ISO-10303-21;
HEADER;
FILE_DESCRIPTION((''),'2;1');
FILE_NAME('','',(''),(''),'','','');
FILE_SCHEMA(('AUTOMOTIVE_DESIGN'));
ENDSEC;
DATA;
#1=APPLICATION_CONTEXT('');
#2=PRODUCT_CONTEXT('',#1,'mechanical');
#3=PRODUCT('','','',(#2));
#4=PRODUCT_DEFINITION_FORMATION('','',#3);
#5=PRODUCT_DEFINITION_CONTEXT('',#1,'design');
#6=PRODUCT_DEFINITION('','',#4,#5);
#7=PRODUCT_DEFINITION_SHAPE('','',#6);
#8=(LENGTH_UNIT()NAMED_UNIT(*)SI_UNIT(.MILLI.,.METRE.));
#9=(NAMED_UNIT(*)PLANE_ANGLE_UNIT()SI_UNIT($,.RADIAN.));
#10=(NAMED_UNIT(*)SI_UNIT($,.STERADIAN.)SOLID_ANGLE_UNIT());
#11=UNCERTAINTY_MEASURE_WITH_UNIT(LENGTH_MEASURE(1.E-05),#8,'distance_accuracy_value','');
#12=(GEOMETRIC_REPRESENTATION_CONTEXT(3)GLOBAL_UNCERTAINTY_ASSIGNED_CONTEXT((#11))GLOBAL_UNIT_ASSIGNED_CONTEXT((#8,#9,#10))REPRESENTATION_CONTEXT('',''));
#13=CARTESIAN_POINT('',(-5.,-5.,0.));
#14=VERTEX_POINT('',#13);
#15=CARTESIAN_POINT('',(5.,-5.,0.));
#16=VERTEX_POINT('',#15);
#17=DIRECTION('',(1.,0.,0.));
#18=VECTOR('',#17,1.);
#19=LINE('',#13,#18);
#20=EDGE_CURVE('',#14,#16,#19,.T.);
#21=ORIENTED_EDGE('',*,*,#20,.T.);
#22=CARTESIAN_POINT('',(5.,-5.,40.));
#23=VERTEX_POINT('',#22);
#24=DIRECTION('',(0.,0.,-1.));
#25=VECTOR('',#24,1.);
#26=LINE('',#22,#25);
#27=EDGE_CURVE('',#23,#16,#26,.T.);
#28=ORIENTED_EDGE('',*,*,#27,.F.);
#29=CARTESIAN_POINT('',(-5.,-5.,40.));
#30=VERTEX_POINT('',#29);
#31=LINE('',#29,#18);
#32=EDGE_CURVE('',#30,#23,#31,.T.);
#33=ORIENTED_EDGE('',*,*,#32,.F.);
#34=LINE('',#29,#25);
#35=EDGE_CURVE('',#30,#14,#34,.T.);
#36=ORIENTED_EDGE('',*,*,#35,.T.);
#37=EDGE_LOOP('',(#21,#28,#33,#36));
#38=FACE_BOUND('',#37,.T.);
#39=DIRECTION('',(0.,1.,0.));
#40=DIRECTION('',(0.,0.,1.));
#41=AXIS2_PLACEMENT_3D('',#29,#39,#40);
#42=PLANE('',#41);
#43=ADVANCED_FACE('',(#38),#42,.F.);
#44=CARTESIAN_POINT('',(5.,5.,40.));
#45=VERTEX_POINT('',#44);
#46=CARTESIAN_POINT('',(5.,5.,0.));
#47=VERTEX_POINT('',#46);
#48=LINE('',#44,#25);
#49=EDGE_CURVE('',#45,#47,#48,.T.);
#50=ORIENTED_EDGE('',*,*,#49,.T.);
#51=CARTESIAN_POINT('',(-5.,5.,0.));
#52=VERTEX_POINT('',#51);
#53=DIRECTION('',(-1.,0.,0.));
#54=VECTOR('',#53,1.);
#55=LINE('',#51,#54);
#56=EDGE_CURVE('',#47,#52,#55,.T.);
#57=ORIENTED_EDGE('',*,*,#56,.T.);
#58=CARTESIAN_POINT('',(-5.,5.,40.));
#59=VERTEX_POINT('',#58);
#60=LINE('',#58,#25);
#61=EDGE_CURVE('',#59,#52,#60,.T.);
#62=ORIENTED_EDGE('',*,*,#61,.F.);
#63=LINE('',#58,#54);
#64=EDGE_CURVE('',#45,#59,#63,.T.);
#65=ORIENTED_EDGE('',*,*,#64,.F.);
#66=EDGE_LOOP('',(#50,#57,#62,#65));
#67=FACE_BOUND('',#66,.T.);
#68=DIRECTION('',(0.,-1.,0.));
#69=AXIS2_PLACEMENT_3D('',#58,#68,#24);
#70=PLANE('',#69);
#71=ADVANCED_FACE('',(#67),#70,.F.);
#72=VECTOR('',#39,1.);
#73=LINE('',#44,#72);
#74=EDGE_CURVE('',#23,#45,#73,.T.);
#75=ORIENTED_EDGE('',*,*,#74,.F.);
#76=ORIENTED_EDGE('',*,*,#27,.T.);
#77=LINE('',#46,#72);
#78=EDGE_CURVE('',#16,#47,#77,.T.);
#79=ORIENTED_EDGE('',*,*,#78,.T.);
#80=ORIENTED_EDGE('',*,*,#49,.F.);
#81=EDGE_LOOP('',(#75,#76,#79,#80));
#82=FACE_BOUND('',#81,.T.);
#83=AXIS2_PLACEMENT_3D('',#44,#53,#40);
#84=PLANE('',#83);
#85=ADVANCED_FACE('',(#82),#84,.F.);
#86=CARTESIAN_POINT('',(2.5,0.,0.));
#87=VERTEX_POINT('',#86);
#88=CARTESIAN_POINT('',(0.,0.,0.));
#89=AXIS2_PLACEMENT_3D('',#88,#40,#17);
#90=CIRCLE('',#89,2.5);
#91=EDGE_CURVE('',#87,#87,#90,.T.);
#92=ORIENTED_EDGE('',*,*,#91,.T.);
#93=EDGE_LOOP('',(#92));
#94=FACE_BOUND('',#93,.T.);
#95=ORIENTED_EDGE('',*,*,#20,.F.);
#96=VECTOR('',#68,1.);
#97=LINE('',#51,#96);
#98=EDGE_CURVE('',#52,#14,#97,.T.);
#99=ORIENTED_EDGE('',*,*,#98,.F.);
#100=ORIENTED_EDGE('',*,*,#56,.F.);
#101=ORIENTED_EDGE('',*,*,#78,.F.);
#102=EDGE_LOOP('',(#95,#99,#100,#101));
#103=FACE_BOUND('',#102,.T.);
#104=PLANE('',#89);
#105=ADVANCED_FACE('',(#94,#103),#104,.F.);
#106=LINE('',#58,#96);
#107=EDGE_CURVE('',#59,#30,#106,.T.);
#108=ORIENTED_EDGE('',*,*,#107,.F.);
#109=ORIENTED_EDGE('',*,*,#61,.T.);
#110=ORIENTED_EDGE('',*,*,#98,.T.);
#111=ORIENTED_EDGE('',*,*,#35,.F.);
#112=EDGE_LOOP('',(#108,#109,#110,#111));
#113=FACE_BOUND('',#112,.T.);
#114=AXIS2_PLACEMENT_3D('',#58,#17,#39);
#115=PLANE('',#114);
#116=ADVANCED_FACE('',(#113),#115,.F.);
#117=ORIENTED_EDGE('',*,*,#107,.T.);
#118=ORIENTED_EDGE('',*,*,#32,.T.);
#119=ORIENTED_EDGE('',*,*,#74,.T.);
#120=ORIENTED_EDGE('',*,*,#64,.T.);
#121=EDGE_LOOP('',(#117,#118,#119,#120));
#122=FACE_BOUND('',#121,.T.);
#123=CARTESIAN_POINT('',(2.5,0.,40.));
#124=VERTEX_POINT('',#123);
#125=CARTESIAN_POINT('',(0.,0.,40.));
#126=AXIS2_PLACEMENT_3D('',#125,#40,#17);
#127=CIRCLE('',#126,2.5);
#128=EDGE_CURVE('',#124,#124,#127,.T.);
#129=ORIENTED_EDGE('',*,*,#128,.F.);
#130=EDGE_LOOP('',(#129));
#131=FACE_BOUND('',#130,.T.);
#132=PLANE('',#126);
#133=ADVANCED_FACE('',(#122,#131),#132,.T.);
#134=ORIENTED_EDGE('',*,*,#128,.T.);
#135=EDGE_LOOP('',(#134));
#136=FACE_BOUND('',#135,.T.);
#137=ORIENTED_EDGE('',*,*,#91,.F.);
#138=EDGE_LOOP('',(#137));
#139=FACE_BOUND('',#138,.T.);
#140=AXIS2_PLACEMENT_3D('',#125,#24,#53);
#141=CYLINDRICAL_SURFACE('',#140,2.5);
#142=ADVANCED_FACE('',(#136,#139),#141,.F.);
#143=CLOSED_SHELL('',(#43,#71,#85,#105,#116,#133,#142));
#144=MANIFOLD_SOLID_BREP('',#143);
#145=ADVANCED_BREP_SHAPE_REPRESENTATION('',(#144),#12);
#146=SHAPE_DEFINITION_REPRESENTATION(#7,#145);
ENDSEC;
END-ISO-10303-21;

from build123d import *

# Parameters (mm, degrees)
SKETCH1_W           = 10
SKETCH1_H           = 10
SKETCH1_R           = 2.5
BOSS_EXTRUDE1_DEPTH = 40


with BuildPart() as part:
    # Sketch1 → Boss-Extrude1 (new body)
    with BuildSketch(Plane.XY):
        Rectangle(SKETCH1_W, SKETCH1_H)
        Circle(SKETCH1_R, mode=Mode.SUBTRACT)
    extrude(amount=BOSS_EXTRUDE1_DEPTH)


solid = part.part
